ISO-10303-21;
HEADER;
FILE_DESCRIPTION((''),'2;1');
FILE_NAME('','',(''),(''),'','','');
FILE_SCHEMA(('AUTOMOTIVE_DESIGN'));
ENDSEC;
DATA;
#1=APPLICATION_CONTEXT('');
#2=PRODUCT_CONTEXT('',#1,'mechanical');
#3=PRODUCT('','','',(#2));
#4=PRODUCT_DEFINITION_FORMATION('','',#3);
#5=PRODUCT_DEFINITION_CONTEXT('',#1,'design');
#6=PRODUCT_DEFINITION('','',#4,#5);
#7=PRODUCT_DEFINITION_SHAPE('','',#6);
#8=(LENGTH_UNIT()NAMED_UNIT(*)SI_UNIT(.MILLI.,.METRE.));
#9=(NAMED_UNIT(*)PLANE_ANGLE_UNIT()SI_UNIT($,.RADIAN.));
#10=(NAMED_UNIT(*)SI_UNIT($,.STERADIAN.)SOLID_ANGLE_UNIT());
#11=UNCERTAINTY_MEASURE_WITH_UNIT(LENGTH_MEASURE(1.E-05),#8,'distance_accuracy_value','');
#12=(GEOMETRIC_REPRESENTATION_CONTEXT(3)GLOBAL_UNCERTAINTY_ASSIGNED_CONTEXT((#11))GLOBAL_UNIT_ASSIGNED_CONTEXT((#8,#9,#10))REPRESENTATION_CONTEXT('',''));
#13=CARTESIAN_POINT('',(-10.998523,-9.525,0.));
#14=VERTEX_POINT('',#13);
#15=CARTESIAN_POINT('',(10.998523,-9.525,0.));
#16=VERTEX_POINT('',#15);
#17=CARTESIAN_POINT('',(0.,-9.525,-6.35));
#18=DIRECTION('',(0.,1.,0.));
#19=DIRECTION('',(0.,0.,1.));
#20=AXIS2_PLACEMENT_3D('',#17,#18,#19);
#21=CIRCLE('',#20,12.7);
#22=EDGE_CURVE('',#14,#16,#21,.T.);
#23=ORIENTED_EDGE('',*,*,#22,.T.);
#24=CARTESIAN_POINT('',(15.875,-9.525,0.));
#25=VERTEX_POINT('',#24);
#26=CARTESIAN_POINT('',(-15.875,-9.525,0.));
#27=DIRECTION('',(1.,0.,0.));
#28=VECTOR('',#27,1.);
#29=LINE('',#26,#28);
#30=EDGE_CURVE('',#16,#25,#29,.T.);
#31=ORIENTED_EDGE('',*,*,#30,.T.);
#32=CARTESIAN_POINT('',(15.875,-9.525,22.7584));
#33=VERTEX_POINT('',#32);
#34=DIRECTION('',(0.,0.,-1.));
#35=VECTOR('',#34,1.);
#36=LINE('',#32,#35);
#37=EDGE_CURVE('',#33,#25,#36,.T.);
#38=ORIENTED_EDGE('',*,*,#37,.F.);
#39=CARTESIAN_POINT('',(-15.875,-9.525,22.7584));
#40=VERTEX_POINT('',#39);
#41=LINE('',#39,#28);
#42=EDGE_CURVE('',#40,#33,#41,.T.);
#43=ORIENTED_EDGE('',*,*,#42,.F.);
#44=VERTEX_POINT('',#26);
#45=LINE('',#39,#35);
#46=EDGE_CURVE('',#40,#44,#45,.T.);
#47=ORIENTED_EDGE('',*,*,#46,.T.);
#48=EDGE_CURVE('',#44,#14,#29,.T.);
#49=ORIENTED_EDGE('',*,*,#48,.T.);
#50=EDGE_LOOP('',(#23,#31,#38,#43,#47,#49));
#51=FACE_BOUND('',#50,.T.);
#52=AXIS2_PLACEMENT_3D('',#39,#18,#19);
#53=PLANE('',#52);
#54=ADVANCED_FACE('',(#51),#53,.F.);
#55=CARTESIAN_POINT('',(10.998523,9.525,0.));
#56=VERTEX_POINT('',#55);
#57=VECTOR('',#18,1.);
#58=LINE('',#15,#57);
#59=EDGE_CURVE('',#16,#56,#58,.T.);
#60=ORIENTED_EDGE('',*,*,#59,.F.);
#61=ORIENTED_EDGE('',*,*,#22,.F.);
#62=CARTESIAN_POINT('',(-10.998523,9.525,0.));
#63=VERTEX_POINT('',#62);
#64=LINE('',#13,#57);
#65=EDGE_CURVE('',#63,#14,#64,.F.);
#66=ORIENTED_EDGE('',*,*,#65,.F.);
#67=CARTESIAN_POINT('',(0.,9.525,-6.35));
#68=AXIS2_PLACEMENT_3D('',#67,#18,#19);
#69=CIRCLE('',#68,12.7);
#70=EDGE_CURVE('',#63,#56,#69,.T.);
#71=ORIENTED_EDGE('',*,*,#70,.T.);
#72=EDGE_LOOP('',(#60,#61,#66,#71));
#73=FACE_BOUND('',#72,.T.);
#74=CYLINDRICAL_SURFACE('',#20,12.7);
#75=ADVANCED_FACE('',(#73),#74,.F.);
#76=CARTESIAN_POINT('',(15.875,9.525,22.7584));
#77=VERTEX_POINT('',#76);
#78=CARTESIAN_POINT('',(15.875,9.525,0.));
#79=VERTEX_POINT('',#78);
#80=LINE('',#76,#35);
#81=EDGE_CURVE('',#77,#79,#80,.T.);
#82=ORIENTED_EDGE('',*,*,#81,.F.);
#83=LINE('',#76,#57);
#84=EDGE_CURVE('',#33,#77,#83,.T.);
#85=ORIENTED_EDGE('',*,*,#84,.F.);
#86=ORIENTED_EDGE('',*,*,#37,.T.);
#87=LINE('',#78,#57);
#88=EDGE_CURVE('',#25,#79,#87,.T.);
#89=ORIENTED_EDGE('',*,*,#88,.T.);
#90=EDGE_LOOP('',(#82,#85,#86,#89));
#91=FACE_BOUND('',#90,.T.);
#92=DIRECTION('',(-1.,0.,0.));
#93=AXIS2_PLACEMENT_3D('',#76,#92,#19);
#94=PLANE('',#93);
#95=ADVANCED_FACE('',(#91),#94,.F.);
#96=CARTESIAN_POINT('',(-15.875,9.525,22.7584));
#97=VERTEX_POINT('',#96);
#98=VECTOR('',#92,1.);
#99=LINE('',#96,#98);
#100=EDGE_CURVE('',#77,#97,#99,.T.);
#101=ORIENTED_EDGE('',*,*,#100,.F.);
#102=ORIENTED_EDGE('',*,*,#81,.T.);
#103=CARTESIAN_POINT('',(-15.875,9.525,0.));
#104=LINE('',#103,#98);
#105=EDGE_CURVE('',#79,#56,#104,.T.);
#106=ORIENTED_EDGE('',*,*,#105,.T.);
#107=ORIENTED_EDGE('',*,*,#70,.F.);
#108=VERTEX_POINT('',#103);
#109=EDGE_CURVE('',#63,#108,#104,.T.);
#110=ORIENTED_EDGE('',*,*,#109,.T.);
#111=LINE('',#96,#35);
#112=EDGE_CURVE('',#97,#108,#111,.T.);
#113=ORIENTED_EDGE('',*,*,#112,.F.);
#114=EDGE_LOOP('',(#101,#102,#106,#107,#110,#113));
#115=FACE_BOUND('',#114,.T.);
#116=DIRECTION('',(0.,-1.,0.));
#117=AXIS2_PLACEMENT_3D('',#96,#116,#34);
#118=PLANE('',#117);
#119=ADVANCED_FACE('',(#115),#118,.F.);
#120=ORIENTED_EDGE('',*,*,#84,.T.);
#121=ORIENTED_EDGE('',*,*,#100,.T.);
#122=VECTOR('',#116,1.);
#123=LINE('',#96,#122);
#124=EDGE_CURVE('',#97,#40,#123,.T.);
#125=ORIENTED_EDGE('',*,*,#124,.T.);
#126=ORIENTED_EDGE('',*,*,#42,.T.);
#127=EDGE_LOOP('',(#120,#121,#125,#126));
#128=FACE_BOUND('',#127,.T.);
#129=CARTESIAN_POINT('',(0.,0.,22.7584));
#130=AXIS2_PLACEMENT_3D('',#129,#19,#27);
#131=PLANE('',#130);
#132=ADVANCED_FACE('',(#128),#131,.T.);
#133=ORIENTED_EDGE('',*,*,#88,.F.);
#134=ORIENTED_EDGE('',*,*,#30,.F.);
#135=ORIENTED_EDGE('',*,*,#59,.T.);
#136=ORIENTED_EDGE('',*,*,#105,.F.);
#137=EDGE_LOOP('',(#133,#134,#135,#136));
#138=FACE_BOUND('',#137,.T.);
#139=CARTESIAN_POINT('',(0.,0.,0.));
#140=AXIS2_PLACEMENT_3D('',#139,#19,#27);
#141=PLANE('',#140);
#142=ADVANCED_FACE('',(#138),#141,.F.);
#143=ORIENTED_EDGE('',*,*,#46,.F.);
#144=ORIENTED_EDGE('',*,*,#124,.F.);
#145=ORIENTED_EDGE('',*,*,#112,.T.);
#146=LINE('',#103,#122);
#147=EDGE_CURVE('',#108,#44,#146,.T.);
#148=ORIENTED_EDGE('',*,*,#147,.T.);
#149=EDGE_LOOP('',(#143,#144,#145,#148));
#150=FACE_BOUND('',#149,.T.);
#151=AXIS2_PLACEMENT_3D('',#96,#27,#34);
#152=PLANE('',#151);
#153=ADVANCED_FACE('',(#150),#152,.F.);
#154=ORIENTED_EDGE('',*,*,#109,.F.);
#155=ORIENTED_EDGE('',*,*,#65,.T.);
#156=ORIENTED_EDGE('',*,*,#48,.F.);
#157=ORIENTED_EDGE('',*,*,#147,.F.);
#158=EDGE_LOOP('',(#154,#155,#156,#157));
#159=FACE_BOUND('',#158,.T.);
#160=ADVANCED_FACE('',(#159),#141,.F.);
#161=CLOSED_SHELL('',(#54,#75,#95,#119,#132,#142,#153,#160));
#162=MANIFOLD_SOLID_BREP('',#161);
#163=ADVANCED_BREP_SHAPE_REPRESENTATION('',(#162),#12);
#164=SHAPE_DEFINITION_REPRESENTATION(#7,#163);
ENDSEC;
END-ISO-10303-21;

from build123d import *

# Parameters (mm, degrees)
SKETCH1_W           = 31.75
SKETCH1_H           = 19.05
BOSS_EXTRUDE1_DEPTH = 22.7584
SKETCH2_R           = 12.7
CUT_EXTRUDE1_DEPTH  = 34.658028694


with BuildPart() as part:
    # Sketch1 → Boss-Extrude1 (new body)
    with BuildSketch(Plane.XY):
        Rectangle(SKETCH1_W, SKETCH1_H)
    extrude(amount=BOSS_EXTRUDE1_DEPTH)

    # Sketch2 → Cut-Extrude1 (cut, through all)
    with BuildSketch(Plane(origin=(0, 9.525, 0), x_dir=(1, 0, 0), z_dir=(0, 1, 0))):
        with Locations((0, 6.35)):
            Circle(SKETCH2_R)
    extrude(amount=-CUT_EXTRUDE1_DEPTH, mode=Mode.SUBTRACT)


solid = part.part
